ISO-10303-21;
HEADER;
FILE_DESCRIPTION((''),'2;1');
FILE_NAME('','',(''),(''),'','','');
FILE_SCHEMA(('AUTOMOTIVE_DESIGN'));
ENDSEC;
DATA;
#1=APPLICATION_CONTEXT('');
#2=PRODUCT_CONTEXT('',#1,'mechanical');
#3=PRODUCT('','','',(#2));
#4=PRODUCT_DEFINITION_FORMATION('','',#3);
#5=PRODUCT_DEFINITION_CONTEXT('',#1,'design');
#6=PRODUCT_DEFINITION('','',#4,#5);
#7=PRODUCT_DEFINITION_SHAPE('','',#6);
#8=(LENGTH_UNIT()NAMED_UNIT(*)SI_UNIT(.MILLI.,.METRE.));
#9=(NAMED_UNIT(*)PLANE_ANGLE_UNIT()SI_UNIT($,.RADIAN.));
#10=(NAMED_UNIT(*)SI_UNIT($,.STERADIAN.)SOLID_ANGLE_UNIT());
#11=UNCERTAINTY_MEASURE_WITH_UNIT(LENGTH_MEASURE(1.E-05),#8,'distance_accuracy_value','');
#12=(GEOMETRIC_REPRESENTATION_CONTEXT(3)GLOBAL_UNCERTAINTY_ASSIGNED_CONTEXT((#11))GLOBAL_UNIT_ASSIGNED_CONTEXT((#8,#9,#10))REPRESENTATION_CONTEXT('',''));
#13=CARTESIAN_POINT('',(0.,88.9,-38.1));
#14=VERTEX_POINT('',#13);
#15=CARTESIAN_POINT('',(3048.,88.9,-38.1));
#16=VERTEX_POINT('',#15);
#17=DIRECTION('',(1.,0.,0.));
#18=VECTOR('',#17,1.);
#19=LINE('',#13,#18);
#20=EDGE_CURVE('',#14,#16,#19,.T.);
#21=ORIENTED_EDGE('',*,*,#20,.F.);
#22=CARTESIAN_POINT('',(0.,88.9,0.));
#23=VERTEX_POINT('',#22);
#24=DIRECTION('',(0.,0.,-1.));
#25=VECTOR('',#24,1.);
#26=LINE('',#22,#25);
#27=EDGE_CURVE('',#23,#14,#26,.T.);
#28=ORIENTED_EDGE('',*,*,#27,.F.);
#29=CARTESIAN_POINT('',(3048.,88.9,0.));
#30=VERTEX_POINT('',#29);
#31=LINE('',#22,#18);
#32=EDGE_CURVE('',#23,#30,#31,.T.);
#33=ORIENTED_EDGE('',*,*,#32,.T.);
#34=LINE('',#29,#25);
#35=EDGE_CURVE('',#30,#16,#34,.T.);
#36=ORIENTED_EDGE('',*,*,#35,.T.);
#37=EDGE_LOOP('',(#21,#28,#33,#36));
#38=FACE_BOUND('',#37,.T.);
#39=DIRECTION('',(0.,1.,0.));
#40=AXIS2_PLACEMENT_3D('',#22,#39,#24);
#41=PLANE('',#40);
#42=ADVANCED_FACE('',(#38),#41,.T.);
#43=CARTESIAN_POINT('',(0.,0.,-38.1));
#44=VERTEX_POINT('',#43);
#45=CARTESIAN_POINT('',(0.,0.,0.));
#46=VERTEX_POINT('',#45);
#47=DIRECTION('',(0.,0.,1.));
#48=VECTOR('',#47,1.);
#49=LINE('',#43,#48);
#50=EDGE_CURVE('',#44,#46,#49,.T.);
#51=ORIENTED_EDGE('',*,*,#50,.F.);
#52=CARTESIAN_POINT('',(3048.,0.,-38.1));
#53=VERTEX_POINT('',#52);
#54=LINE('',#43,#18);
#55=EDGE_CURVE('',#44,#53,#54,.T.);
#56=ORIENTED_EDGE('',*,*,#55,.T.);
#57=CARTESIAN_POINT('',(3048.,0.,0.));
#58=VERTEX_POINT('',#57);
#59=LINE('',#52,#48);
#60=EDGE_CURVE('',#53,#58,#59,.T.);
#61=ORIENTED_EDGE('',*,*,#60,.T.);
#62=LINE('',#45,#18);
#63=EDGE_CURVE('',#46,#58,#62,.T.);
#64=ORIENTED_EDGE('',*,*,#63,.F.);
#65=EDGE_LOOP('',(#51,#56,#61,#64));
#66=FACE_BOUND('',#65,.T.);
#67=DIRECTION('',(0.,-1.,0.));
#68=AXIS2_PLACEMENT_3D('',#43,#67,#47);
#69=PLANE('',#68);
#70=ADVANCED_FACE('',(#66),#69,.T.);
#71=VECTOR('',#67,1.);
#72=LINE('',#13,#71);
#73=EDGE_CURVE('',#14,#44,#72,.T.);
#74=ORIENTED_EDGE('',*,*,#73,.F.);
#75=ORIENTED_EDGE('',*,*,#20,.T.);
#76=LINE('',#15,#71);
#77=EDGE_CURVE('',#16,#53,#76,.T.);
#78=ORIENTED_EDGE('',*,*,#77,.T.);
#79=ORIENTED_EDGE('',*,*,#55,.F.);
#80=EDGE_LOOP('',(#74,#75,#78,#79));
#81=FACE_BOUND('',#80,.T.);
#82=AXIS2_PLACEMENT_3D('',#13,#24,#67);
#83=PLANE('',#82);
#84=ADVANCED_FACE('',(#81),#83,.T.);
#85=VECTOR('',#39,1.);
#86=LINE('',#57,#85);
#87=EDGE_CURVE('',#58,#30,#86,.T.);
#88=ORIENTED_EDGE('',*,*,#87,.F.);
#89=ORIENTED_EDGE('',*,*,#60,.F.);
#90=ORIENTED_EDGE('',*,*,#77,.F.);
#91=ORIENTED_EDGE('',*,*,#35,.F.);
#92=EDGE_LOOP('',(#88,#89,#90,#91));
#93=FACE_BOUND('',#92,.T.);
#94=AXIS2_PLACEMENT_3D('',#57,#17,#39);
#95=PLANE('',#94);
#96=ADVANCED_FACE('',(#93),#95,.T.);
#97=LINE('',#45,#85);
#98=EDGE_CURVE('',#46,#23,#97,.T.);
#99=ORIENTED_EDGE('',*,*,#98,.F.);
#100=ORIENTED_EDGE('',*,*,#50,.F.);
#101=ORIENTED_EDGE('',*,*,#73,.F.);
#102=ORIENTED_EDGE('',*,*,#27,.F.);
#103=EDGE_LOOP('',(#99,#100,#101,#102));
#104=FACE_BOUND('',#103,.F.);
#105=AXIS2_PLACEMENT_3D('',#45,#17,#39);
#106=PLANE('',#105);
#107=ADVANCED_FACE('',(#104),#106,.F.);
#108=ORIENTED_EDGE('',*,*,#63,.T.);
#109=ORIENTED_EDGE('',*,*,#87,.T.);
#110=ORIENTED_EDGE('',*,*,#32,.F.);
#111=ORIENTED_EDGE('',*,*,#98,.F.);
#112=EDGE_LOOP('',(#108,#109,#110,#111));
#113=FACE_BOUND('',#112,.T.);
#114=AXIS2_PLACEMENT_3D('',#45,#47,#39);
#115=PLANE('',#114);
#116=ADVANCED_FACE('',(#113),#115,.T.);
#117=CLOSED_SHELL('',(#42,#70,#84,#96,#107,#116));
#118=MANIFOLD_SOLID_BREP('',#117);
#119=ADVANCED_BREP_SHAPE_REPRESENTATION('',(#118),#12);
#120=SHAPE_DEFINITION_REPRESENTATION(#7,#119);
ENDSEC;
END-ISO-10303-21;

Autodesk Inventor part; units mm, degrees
ref_plane "YZ Plane" through (0, 0, 0) normal (1, 0, 0) x (0, 1, 0)
ref_plane "XZ Plane" through (0, 0, 0) normal (0, 1, 0) x (-1, 0, 0)
ref_plane "XY Plane" through (0, 0, 0) normal (0, 0, 1) x (1, 0, 0)
sketch "Sketch1" plane through (0, 0, 0) normal (1, 0, 0) x (0, 1, 0)
  line L0 (0, 0) -> (88.9, 0)
  line L1 (88.9, 0) -> (88.9, -38.1)
  line L2 (88.9, -38.1) -> (0, -38.1)
  line L3 (0, -38.1) -> (0, 0)
  dimension "d0" = 38.1
  dimension "d1" = 88.9
extrude "Extrusion1" add sketch "Sketch1" along normal blind 3048
properties part number "2by4by20" material "Wood (Cherry)"
